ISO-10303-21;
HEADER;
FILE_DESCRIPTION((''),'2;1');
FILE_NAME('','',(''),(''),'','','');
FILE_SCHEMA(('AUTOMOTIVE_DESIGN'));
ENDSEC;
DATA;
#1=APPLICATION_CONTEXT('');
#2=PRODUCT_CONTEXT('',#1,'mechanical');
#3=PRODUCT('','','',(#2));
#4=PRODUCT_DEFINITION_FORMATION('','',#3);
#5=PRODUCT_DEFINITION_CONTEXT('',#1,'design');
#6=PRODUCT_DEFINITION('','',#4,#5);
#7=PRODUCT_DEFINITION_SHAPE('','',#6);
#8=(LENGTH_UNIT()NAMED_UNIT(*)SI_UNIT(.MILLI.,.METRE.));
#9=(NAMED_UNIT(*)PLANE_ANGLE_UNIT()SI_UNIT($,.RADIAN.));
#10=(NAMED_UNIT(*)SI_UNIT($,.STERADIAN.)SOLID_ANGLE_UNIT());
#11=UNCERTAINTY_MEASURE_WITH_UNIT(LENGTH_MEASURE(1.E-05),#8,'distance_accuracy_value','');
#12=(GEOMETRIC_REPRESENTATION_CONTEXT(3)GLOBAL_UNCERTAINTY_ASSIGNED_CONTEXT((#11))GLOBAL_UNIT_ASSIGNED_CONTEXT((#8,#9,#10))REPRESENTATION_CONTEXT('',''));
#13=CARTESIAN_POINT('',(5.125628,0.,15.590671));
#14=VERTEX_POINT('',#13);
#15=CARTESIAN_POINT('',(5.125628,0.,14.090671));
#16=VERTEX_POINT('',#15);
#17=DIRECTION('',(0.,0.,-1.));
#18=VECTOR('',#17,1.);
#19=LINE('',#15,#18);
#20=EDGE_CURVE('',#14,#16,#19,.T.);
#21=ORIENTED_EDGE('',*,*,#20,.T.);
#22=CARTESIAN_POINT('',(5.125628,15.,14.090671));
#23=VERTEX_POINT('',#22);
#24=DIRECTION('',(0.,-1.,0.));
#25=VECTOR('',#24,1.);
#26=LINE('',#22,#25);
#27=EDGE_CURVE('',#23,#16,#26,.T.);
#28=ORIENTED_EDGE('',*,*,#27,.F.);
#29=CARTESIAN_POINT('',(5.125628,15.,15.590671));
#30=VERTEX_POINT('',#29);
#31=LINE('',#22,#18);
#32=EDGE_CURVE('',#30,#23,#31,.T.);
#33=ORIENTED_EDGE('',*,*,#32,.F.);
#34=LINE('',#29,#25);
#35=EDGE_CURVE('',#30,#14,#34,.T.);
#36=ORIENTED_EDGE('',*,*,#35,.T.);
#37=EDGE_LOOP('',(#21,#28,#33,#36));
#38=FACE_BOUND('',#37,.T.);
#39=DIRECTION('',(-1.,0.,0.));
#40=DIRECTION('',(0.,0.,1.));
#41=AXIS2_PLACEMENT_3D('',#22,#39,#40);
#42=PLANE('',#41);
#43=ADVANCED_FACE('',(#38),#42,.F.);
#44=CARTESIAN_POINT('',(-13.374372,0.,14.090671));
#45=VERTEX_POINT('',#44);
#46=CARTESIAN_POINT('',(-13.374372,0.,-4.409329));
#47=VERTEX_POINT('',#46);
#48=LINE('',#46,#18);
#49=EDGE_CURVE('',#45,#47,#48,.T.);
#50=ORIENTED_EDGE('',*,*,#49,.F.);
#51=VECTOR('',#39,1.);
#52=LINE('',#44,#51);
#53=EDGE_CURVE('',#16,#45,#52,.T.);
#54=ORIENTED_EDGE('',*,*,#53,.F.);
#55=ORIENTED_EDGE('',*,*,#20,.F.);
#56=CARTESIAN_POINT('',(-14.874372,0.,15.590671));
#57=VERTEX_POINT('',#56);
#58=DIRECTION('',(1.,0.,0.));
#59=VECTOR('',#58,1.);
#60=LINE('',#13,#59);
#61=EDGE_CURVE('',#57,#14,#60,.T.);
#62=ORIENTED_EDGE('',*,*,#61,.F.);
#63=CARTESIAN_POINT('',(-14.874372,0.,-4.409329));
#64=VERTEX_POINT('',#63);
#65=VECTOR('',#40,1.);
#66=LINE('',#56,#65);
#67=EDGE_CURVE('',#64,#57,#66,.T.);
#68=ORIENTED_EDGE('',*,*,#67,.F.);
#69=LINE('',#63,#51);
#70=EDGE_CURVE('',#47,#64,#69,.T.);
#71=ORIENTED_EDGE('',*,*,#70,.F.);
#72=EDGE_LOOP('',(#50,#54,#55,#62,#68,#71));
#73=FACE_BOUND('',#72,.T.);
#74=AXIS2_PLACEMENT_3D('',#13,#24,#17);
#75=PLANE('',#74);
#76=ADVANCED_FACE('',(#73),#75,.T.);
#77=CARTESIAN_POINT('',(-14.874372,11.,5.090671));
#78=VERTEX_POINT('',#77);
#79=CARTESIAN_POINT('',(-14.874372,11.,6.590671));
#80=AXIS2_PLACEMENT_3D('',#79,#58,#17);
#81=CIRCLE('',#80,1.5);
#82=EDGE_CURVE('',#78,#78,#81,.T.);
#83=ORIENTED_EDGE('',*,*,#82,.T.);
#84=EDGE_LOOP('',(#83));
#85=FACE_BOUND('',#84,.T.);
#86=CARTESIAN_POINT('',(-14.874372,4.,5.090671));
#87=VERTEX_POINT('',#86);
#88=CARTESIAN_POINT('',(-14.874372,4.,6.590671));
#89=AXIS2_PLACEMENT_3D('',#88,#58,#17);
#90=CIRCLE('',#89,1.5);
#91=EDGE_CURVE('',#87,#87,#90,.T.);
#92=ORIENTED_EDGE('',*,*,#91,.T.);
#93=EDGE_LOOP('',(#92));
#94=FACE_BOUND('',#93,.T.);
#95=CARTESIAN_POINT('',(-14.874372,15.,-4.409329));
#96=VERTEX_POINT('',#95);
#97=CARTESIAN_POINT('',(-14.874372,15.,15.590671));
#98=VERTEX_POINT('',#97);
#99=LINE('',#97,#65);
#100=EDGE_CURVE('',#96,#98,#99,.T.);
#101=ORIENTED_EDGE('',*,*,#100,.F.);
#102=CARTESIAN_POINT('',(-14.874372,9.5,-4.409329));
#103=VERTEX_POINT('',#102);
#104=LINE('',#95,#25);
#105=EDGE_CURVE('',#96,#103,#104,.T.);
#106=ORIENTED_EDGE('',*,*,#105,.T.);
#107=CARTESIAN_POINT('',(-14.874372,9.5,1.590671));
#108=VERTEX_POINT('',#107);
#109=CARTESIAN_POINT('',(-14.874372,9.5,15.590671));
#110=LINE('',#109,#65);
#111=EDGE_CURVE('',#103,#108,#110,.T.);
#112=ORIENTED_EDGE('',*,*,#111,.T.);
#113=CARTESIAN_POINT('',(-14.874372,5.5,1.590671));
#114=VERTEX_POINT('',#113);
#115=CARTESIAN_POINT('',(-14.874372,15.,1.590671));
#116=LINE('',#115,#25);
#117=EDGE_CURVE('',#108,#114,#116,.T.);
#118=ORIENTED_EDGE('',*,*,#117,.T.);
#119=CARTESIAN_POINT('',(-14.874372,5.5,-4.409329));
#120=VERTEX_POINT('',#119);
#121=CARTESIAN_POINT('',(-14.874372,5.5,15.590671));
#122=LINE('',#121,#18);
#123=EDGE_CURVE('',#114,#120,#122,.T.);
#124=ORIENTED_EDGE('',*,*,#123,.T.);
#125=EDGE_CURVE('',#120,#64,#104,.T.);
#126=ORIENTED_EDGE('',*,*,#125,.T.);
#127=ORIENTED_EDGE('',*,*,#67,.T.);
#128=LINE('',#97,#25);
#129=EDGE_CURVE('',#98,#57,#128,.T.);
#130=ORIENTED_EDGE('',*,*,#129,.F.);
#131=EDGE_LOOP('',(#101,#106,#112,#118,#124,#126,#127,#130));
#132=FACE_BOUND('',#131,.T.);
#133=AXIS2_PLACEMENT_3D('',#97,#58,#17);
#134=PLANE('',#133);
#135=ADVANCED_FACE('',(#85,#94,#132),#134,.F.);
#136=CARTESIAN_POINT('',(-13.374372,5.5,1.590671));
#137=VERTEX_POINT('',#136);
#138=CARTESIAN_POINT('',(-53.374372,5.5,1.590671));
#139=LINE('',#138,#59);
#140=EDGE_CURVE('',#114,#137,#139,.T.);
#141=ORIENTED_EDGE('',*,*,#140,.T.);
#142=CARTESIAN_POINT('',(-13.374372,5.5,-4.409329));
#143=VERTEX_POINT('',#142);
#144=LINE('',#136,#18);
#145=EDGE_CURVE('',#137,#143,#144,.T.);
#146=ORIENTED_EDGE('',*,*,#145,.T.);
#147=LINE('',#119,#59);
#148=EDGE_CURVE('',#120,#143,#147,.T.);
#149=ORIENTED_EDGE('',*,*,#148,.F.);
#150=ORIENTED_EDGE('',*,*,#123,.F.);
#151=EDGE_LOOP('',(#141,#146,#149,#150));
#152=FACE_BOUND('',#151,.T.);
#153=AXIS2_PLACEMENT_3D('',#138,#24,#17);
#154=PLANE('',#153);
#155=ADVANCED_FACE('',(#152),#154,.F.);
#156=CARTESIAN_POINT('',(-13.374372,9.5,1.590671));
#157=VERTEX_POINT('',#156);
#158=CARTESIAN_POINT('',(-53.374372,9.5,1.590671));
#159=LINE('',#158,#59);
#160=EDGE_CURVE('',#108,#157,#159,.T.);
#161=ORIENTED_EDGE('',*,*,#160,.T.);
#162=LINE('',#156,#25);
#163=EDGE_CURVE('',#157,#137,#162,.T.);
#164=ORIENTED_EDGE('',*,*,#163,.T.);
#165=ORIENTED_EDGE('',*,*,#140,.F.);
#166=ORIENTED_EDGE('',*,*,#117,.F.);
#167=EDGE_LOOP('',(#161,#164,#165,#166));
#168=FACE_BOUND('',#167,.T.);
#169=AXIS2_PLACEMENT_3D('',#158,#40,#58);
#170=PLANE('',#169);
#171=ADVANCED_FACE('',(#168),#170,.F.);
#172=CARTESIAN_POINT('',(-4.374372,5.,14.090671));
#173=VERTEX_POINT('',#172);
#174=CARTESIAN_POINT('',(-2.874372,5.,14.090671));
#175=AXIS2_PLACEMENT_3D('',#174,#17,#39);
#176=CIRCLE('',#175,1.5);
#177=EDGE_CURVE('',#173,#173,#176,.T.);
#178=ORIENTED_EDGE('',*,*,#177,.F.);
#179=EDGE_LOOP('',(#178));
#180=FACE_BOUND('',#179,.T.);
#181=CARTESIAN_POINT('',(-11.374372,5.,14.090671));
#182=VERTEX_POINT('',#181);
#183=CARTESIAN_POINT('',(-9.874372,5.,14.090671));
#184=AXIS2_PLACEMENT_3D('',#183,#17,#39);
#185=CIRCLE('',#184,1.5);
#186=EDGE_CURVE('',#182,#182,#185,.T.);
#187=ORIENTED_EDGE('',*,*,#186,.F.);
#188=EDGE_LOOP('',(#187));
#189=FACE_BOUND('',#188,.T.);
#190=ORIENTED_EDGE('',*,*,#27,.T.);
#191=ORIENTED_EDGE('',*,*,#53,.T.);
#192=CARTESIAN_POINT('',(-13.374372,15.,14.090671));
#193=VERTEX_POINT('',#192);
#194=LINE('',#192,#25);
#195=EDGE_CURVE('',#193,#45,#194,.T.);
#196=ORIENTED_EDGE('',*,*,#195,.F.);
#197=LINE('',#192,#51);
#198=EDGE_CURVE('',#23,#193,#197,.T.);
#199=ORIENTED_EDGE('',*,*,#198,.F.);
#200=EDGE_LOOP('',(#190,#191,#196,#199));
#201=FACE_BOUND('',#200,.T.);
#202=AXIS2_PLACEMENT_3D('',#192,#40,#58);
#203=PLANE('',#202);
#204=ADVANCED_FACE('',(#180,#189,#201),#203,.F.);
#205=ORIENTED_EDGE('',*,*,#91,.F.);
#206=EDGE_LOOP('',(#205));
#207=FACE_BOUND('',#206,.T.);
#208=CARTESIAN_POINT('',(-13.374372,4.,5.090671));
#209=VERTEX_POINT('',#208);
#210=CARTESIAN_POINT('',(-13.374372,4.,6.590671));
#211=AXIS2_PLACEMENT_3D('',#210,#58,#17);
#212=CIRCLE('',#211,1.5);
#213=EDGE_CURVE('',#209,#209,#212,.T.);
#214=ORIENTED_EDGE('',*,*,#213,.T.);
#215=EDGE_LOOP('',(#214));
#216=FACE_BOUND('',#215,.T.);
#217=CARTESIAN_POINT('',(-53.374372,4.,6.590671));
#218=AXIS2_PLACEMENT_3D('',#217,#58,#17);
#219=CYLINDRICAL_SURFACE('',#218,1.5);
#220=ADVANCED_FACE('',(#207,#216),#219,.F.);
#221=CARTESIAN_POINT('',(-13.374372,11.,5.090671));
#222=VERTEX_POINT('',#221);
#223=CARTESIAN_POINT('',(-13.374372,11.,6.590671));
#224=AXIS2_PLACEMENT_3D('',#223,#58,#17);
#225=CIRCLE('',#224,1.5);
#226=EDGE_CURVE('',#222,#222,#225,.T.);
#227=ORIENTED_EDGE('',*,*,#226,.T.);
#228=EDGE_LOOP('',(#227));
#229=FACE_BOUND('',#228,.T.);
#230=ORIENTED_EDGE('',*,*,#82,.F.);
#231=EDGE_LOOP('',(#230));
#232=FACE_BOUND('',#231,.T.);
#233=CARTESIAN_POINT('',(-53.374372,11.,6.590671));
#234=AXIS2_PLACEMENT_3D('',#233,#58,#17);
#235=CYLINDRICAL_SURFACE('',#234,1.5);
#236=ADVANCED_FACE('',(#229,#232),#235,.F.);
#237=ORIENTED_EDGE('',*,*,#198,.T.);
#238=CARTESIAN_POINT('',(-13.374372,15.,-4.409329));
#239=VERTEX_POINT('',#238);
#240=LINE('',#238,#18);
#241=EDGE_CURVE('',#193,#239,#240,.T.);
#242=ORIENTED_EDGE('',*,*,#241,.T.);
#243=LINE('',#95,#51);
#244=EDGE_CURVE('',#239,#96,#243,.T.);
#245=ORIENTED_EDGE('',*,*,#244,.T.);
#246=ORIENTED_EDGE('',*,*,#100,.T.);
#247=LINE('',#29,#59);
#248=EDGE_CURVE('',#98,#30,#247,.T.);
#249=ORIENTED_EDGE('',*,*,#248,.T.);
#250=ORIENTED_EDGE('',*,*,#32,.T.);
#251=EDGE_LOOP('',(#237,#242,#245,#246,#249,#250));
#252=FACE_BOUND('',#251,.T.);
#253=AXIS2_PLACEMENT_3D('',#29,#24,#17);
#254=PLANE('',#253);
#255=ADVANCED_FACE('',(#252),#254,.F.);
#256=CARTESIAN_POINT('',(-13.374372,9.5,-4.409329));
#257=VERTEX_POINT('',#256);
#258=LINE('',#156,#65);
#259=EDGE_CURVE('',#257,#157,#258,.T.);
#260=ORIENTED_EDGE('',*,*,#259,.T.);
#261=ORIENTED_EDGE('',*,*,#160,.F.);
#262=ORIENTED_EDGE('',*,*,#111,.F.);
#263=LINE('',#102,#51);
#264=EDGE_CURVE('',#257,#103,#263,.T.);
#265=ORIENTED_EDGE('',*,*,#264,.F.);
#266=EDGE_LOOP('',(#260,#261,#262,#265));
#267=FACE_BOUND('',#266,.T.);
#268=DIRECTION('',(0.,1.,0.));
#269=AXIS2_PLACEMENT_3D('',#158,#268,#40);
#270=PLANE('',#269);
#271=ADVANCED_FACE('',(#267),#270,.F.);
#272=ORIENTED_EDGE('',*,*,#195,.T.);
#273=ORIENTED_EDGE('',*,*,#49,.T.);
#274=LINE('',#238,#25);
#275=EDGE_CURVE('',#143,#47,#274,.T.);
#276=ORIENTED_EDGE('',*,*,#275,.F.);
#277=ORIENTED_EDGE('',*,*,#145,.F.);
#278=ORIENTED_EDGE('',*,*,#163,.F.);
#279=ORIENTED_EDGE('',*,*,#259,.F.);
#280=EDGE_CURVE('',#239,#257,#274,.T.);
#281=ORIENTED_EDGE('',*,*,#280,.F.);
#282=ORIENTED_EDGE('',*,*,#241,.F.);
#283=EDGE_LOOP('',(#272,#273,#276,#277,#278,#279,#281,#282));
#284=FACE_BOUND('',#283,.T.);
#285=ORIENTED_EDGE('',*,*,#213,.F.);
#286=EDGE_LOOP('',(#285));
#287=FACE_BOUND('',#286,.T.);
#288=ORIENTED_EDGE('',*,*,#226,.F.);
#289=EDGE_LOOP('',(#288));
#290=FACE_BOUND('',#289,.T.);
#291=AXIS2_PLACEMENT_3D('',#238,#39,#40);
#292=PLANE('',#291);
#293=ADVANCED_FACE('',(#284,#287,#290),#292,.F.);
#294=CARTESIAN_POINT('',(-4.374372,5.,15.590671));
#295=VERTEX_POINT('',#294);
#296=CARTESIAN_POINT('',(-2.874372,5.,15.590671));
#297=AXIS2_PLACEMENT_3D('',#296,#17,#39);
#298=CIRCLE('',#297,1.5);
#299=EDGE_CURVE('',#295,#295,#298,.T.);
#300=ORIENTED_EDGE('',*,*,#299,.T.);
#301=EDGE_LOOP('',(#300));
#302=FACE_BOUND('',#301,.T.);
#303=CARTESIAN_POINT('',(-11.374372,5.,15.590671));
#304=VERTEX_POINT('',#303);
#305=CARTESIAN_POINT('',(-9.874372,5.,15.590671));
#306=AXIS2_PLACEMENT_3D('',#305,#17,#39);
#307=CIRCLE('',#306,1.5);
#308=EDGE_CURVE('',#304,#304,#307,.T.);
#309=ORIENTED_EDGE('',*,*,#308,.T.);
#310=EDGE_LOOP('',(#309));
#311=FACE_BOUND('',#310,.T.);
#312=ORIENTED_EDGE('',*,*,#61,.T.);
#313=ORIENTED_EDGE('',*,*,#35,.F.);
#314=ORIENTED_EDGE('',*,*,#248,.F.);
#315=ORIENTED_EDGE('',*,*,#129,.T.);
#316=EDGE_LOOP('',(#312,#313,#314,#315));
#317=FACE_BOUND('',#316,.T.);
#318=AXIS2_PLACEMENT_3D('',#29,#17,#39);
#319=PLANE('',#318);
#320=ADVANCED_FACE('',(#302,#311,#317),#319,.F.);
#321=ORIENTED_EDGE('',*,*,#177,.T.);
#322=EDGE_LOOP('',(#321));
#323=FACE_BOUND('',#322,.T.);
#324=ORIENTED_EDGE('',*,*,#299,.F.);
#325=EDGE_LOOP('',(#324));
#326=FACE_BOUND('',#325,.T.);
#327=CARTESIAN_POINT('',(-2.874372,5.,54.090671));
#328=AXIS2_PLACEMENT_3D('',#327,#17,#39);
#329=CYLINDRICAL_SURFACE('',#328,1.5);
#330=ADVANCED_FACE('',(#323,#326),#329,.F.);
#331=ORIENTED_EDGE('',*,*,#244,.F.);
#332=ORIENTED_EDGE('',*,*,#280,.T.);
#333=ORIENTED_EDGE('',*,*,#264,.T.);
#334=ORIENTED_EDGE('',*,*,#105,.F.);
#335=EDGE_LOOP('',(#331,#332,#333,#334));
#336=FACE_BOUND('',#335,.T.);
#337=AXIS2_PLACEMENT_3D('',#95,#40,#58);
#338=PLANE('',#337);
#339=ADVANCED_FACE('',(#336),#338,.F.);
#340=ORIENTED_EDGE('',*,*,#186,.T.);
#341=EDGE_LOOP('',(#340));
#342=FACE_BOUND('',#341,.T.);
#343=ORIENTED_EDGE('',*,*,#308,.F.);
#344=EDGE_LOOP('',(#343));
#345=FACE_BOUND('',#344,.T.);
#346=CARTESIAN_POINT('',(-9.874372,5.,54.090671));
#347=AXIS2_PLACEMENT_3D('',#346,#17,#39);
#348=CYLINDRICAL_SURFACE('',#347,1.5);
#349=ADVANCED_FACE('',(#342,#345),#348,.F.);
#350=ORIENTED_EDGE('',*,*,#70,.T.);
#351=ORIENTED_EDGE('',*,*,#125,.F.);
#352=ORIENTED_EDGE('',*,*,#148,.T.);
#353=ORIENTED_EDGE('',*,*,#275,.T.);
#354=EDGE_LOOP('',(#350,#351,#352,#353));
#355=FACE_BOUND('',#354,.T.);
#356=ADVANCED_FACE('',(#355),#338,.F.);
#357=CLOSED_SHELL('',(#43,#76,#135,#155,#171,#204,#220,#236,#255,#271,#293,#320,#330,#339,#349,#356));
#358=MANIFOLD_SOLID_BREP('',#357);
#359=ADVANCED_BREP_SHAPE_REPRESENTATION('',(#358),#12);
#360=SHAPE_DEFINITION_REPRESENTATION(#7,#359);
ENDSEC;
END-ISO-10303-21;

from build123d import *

# Parameters (mm, degrees)
EXTRUSION1_DEPTH = 15
ESQUISSE3_R      = 1.5
EXTRUSION2_DEPTH = 40
ESQUISSE5_R      = 1.5
ESQUISSE5_W      = 7
ESQUISSE5_H      = 4
EXTRUSION3_DEPTH = 40


with BuildPart() as part:
    # Esquisse1 → Extrusion1 (new body)
    with BuildSketch(Plane(origin=(0, 0, 0), x_dir=(1, 0, 0), z_dir=(0, 1, 0))):
        Polygon((5.12562835, -15.59067149), (-14.87437165, -15.59067149), (-14.87437165, 4.40932851), (-13.37437165, 4.40932851), (-13.37437165, -14.09067149), (5.12562835, -14.09067149), align=None)
    extrude(amount=EXTRUSION1_DEPTH)

    # Esquisse3 → Extrusion2 (cut)
    with BuildSketch(Plane(origin=(0, 0, 14.09067149), x_dir=(-1, 0, 0), z_dir=(0, 0, -1))):
        with Locations((2.87437165, 5)):
            Circle(ESQUISSE3_R)
        with Locations((9.87437165, 5)):
            Circle(ESQUISSE3_R)
    extrude(amount=-EXTRUSION2_DEPTH, mode=Mode.SUBTRACT)

    # Esquisse5 → Extrusion3 (cut)
    with BuildSketch(Plane(origin=(-13.37437165, 0, 0), x_dir=(0, 0, -1), z_dir=(1, 0, 0))):
        with Locations((-6.59067149, 4)):
            Circle(ESQUISSE5_R)
        with Locations((-6.59067149, 11)):
            Circle(ESQUISSE5_R)
        with Locations((1.90932851, 7.5)):
            Rectangle(ESQUISSE5_W, ESQUISSE5_H)
    extrude(amount=-EXTRUSION3_DEPTH, mode=Mode.SUBTRACT)


solid = part.part
